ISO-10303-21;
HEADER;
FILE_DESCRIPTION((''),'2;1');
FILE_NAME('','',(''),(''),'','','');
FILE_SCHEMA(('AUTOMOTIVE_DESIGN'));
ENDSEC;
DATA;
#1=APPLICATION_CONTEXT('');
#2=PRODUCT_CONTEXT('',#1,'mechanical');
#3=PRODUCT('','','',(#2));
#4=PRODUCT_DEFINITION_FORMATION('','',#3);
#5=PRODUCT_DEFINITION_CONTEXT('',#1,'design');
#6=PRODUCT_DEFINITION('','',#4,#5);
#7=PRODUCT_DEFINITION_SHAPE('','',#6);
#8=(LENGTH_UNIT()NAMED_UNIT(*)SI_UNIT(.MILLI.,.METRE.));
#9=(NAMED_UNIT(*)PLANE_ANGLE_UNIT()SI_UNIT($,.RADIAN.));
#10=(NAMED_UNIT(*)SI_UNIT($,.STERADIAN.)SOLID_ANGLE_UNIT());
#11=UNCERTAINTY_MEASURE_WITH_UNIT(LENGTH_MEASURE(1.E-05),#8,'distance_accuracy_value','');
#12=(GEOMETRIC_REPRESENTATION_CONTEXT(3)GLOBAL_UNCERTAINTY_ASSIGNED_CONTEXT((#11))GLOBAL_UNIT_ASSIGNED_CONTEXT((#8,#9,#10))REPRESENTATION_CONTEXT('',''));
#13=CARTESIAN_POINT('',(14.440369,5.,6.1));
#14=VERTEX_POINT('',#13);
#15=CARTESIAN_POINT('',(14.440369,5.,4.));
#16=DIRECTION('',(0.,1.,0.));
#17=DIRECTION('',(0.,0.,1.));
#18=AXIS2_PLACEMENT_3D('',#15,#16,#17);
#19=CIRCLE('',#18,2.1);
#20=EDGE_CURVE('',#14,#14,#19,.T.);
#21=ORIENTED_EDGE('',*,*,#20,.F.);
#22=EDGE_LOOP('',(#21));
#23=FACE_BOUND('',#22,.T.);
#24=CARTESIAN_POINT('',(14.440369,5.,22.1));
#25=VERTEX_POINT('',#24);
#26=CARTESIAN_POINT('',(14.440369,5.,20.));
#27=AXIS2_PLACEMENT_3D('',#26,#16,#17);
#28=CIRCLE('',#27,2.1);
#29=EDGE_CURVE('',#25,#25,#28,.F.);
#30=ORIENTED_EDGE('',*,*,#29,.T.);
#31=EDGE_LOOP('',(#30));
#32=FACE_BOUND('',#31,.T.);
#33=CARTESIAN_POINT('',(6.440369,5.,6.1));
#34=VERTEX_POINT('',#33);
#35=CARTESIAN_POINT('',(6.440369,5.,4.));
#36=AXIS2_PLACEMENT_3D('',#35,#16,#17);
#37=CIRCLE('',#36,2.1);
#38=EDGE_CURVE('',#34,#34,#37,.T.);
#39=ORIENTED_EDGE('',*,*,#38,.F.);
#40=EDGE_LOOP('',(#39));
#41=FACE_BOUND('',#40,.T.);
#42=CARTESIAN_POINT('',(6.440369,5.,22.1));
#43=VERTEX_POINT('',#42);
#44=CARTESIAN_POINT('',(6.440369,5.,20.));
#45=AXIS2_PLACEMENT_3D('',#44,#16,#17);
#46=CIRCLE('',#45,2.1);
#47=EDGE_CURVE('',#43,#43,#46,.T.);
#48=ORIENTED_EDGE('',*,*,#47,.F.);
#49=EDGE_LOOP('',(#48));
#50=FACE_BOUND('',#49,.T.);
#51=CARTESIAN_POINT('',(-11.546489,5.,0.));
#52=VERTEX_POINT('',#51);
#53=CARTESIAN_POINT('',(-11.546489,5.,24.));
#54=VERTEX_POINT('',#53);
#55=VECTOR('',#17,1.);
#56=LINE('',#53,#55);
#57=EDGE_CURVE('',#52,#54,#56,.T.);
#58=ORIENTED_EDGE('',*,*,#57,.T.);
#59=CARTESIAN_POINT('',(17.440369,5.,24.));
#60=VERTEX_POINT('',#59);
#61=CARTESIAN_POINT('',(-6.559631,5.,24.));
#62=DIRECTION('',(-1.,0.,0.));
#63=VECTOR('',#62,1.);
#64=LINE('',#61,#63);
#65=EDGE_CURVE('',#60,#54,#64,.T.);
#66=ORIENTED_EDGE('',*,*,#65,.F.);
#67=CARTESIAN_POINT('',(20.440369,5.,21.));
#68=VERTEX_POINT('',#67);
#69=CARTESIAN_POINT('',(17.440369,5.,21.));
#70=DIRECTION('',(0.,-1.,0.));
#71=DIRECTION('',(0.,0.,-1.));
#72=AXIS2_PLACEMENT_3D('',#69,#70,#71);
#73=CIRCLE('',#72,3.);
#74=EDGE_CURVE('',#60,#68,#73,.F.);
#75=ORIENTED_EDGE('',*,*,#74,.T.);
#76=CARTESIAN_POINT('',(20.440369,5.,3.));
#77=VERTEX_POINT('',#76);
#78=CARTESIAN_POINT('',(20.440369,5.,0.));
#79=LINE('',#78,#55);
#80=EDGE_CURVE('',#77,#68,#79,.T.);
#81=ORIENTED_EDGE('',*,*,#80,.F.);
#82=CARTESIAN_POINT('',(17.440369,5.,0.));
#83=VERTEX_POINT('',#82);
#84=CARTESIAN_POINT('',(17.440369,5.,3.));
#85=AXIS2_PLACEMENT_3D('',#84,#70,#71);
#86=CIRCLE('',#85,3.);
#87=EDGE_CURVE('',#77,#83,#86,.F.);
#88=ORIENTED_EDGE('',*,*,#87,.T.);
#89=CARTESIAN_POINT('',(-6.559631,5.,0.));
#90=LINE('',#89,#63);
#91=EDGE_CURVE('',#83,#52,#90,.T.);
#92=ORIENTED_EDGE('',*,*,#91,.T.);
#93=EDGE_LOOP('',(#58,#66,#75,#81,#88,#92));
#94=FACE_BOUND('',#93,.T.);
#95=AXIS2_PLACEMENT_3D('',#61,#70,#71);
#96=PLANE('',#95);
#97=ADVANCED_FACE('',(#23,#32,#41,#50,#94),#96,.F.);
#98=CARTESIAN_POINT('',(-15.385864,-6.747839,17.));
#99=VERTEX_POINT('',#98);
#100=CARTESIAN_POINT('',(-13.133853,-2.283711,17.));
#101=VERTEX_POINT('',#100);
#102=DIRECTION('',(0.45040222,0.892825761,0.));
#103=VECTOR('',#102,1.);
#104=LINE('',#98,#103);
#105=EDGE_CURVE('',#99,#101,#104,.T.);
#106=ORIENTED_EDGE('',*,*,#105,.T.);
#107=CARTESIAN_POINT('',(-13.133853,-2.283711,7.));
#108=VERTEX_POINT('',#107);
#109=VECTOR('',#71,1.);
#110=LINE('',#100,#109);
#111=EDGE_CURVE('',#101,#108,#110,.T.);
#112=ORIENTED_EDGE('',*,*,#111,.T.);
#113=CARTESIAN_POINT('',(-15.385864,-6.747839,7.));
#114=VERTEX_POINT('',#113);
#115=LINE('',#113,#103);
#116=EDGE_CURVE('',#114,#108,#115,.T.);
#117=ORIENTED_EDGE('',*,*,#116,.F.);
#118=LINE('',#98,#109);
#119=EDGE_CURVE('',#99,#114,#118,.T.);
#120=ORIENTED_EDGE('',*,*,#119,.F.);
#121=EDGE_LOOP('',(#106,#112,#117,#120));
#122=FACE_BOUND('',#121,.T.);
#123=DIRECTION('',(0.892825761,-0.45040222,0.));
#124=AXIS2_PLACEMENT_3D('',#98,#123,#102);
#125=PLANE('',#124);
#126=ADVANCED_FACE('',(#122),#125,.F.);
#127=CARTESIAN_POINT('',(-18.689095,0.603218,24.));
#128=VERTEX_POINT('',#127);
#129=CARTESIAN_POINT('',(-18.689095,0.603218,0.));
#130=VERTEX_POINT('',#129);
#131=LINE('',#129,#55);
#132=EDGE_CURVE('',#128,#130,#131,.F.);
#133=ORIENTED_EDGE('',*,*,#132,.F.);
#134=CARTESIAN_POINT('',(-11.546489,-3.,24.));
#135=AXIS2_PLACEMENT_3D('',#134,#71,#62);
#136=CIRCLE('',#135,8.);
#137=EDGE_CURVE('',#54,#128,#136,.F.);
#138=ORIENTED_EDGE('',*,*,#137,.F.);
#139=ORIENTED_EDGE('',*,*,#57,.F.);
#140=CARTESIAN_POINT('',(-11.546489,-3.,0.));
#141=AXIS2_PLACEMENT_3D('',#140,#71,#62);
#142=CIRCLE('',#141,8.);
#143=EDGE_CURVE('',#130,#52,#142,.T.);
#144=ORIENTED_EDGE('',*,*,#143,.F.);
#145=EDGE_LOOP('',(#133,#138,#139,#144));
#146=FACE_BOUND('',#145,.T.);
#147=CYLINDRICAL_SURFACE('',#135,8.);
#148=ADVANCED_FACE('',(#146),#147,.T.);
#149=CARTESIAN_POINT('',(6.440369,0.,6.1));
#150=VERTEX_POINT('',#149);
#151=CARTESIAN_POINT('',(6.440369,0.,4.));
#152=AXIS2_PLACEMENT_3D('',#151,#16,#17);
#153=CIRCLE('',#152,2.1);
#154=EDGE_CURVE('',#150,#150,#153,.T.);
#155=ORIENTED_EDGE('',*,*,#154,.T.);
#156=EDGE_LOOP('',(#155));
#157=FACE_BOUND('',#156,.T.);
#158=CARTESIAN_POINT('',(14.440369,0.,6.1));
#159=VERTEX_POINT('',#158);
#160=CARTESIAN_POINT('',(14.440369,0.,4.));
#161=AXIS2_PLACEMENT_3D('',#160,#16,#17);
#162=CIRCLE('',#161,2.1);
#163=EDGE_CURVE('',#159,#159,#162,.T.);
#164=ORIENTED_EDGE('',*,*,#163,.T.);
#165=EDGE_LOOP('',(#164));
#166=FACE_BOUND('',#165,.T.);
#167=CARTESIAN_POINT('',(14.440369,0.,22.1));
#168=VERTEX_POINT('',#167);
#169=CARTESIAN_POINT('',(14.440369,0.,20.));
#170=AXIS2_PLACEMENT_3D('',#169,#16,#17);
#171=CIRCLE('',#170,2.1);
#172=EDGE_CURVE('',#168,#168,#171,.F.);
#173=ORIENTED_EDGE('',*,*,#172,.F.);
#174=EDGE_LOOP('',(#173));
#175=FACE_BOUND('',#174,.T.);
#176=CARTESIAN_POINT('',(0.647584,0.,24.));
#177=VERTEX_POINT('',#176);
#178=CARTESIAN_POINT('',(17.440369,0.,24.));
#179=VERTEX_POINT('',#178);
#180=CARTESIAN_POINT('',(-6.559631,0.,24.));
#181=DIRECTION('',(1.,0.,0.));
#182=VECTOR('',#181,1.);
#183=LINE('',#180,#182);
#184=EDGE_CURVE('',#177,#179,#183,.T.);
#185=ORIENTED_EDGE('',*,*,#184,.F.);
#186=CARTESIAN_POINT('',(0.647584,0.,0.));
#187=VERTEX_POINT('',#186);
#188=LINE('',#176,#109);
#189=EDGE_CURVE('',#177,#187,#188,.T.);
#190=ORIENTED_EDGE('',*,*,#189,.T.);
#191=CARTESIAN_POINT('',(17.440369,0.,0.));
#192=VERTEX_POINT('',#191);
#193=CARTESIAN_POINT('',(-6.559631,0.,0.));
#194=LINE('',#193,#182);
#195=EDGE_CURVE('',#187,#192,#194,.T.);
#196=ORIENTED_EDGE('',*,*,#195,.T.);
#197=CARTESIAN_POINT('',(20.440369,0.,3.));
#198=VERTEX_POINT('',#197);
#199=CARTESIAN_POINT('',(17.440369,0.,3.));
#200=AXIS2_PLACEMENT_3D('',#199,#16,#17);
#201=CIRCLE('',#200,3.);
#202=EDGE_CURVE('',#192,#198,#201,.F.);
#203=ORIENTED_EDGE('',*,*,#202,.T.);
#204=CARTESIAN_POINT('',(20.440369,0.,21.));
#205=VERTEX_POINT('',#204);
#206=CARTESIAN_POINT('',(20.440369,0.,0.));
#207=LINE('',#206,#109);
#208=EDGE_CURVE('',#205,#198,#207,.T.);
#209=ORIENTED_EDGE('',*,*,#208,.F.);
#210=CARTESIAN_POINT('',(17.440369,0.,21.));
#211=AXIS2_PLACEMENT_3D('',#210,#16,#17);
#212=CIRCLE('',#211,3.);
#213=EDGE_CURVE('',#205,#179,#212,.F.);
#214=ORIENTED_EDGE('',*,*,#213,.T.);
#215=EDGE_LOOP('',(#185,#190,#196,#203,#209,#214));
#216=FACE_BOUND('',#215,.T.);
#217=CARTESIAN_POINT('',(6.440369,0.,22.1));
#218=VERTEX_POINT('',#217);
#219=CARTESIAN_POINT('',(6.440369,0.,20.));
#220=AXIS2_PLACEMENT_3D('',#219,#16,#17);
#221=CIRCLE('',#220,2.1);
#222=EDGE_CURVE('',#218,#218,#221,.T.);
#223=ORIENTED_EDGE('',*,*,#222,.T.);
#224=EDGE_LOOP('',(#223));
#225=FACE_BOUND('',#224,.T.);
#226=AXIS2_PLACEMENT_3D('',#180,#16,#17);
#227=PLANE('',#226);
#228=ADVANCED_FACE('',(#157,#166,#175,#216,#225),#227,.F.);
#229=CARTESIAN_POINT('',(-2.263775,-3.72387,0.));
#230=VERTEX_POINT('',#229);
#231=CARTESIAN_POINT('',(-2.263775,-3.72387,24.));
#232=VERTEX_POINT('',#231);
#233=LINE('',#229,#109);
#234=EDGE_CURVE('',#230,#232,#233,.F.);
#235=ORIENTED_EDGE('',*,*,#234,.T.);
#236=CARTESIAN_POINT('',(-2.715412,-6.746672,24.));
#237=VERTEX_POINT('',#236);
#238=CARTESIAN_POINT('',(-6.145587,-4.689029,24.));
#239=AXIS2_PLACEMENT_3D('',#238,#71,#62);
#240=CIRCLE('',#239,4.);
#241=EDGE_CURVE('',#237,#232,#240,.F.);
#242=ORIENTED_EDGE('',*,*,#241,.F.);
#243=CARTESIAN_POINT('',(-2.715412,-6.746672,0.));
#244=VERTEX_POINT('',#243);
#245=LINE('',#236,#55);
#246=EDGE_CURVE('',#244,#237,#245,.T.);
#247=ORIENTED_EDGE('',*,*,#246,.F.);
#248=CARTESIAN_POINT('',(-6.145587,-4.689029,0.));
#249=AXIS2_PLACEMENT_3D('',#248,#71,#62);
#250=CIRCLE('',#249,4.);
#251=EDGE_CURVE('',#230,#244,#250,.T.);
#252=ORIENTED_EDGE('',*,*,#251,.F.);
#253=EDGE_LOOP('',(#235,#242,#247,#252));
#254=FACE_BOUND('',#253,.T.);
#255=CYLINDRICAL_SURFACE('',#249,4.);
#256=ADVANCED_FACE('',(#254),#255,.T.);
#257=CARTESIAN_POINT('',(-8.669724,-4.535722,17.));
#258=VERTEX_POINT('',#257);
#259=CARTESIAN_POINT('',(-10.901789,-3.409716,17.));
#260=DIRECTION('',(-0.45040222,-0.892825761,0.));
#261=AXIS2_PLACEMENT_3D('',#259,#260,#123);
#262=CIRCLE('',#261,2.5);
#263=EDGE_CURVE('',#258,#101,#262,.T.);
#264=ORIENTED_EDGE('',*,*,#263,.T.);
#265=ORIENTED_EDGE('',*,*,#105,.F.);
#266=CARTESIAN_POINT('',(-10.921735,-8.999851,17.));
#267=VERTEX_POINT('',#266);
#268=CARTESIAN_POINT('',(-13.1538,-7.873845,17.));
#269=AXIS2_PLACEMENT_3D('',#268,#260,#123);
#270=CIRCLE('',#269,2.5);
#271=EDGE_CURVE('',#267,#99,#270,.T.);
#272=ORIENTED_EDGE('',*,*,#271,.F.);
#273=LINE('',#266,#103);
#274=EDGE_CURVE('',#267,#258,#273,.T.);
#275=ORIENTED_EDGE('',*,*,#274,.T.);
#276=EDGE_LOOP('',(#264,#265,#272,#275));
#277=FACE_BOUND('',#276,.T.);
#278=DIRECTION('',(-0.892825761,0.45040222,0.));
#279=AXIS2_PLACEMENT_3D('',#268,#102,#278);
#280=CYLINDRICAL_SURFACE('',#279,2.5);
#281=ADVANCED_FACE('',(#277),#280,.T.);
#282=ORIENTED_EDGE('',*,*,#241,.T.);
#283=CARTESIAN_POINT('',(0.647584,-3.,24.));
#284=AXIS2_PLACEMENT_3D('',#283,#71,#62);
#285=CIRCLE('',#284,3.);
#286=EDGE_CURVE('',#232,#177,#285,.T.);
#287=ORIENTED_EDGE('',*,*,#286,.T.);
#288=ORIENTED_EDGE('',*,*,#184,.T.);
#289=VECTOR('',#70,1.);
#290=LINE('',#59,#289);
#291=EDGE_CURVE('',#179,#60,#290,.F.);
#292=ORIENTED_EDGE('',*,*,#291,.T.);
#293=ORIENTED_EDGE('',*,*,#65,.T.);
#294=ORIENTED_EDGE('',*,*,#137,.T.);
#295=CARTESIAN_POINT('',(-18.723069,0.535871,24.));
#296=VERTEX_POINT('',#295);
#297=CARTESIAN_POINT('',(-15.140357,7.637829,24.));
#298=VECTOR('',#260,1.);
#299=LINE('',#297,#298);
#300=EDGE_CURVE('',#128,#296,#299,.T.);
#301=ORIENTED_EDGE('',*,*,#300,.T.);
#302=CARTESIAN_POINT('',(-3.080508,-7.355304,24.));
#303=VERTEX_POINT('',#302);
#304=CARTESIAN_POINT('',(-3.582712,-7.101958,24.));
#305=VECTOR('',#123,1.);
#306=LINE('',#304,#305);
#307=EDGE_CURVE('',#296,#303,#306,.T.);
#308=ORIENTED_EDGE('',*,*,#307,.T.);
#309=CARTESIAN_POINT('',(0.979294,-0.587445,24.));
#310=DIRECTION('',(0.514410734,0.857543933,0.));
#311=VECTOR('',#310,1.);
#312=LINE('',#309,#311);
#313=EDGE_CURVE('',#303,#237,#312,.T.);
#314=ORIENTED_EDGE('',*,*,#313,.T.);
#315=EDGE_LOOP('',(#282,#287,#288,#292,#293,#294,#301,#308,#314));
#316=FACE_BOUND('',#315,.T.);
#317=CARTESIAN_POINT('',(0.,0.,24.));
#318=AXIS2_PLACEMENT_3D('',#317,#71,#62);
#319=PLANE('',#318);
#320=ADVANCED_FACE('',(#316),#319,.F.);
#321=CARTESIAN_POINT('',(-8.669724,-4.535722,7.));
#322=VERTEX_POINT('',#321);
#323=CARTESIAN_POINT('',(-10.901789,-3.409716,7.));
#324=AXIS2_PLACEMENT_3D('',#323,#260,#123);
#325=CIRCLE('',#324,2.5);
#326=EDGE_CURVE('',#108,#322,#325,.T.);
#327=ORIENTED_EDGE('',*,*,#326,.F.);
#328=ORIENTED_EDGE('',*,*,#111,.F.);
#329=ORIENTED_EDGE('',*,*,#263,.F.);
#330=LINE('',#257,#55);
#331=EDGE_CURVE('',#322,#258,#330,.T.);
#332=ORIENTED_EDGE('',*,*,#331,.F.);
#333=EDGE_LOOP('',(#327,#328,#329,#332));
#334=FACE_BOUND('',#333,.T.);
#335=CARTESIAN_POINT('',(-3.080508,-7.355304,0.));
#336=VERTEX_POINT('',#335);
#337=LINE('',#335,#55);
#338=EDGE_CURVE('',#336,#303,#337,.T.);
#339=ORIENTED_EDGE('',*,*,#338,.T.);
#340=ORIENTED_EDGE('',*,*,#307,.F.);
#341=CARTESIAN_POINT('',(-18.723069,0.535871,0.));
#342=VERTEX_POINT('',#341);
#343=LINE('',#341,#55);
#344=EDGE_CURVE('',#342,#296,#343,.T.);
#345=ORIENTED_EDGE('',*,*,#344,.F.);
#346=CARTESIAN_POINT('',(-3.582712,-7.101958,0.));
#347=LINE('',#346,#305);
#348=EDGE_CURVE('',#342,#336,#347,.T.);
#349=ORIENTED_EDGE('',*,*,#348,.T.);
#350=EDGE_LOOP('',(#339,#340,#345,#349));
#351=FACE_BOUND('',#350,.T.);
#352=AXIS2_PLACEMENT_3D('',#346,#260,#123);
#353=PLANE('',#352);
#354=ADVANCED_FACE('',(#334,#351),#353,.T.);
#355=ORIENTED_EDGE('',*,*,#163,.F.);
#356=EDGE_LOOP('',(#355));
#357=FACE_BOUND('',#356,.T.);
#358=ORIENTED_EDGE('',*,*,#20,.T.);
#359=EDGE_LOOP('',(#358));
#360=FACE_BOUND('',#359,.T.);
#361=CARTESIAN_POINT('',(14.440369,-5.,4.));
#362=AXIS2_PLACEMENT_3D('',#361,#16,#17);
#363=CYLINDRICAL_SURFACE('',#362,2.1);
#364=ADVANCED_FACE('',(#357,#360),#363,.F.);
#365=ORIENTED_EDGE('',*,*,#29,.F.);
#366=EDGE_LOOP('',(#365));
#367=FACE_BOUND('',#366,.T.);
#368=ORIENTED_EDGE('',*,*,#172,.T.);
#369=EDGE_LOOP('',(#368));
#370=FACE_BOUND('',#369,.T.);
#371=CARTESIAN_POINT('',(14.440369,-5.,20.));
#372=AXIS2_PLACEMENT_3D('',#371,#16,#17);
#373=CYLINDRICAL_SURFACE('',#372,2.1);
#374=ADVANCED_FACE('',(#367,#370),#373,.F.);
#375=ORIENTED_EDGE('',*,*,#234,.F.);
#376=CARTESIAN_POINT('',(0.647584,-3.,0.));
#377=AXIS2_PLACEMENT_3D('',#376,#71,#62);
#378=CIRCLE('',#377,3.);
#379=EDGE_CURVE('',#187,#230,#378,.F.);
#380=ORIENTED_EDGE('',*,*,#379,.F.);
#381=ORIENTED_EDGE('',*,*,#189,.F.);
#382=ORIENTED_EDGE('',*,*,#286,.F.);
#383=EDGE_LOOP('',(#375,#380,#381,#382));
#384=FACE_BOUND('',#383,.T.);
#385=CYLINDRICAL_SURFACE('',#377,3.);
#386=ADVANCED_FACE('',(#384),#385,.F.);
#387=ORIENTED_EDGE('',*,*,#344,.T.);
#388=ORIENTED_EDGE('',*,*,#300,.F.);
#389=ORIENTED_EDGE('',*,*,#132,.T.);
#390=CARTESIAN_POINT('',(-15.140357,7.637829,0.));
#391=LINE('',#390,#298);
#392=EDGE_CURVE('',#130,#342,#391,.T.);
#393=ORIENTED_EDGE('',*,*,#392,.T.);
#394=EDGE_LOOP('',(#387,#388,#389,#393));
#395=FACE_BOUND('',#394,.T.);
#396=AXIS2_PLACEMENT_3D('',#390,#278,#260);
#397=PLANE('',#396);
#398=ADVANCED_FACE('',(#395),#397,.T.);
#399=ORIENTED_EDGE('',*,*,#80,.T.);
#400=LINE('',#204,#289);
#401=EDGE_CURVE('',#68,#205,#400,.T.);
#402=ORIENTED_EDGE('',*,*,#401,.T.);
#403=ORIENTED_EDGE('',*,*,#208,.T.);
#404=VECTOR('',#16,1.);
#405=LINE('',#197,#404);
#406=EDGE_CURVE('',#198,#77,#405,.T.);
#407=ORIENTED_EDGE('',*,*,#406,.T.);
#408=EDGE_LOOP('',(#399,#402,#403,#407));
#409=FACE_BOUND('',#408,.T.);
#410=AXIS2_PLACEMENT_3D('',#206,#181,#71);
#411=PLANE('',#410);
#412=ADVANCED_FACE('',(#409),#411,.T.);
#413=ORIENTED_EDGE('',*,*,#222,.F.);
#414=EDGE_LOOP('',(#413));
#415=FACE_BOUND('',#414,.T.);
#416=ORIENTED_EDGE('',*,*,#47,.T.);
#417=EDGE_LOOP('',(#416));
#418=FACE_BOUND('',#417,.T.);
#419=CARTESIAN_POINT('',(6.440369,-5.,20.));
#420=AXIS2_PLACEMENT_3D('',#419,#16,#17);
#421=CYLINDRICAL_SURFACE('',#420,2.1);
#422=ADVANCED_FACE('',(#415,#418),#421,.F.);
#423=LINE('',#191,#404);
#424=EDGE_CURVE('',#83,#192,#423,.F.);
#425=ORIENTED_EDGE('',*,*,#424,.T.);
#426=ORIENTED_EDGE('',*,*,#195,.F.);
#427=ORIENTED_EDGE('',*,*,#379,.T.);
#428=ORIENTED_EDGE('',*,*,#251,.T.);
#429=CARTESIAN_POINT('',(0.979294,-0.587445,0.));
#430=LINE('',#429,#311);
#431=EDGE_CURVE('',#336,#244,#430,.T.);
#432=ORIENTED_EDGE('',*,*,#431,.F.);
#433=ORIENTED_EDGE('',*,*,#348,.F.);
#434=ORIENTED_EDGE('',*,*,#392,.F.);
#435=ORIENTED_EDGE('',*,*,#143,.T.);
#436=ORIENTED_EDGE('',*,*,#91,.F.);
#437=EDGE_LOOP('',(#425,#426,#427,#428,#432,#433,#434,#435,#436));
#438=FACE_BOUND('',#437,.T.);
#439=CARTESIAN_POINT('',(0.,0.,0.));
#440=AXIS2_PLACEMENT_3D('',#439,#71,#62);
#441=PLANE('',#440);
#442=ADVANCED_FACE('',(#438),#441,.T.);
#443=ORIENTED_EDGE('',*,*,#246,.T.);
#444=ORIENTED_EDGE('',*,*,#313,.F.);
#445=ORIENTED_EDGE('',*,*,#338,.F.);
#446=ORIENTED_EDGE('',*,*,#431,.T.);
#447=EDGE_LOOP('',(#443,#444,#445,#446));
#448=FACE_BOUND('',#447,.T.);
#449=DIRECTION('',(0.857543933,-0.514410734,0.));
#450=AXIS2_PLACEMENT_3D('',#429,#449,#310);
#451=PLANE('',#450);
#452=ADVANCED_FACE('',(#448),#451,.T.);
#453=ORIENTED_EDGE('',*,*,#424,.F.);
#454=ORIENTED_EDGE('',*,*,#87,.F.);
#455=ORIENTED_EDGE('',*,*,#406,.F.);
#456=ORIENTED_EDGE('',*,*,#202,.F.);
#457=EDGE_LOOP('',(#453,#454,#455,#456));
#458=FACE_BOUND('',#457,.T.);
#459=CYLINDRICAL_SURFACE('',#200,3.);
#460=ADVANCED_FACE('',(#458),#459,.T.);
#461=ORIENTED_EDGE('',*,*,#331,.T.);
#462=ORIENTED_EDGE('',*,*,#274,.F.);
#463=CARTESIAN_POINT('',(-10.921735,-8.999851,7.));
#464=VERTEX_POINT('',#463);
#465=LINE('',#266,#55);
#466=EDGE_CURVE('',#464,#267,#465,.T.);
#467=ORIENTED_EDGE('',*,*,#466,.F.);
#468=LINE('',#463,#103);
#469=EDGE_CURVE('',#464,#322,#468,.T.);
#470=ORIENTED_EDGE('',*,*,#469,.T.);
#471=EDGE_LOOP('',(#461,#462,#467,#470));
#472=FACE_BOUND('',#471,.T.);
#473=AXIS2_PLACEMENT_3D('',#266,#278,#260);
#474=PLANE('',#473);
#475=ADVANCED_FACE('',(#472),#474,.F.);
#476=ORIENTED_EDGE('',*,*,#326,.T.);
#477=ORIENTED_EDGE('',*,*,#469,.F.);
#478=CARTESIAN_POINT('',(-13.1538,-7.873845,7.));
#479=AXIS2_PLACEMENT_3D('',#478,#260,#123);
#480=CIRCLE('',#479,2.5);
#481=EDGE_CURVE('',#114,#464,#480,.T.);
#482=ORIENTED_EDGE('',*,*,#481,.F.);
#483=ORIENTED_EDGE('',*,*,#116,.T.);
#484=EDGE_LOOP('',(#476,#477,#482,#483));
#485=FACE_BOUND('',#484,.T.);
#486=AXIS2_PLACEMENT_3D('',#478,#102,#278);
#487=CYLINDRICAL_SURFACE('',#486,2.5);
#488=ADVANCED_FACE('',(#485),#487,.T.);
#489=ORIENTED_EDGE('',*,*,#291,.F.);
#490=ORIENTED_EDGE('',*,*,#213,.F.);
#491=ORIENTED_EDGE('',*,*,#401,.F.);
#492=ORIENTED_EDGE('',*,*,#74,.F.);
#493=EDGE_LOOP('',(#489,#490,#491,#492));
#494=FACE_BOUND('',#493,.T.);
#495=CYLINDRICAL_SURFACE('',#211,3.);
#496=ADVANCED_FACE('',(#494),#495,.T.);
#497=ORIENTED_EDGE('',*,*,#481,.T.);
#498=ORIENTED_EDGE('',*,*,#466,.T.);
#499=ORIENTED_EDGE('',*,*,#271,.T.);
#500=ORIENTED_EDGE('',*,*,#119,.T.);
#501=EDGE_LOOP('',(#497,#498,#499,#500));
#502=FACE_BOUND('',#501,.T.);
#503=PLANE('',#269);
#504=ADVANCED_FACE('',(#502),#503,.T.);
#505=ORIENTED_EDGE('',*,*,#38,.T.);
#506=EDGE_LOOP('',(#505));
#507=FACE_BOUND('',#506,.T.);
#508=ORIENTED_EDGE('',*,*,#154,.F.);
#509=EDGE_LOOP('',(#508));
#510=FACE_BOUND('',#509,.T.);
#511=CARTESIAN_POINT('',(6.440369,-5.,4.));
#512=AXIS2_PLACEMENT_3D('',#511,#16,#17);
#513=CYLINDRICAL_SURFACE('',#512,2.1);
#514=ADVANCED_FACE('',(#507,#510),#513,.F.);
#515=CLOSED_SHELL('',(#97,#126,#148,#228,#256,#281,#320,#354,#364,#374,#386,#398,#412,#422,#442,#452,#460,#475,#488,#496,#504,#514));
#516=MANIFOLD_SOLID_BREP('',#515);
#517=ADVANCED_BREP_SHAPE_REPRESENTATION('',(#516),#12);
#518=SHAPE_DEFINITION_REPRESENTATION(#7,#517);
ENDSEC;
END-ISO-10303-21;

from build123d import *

# Parameters (mm, degrees)
ESQUISSE1_W             = 17
ESQUISSE1_H             = 5
BOSS_EXTRU_1_DEPTH      = 24
BOSS_EXTRU_2_DEPTH      = 24
CONG_1_R                = 4
CONG_2_R                = 8
CONG_3_R                = 3
ESQUISSE3_W             = 24
ESQUISSE3_H             = 5
BOSS_EXTRU_3_DEPTH      = 10
ESQUISSE4_R             = 2.1
ENL_V_MAT_EXTRU_1_DEPTH = 10
CONG_4_R                = 3
BOSS_EXTRU_4_DEPTH      = 5


with BuildPart() as part:
    # Esquisse1 → Boss.-Extru.1 (new body)
    with BuildSketch(Plane.XY):
        with Locations((1.940369129, 2.5)):
            Rectangle(ESQUISSE1_W, ESQUISSE1_H)
    extrude(amount=BOSS_EXTRU_1_DEPTH)

    # Esquisse2 → Boss.-Extru.2 (add)
    with BuildSketch(Plane.XY.offset(24)):
        Polygon((-18.723069156, 0.535871193), (-3.080508445, -7.355303518), (-0.501566554, -3.056100904), (-16.471058056, 5), align=None)
        Polygon((-6.559630871, 0), (-6.559630871, 5), (-16.471058056, 5), align=None)
    extrude(amount=-BOSS_EXTRU_2_DEPTH)

    # Congé1
    cong_1_edges = [part.edges().sort_by_distance(p)[0] for p in [
        (-0.501566554, -3.056100904, 12),
    ]]
    fillet(cong_1_edges, radius=CONG_1_R)

    # Congé2
    cong_2_edges = [part.edges().sort_by_distance(p)[0] for p in [
        (-16.471058056, 5, 12),
    ]]
    fillet(cong_2_edges, radius=CONG_2_R)

    # Congé3
    cong_3_edges = [part.edges().sort_by_distance(p)[0] for p in [
        (-6.559630871, 0, 12),
    ]]
    fillet(cong_3_edges, radius=CONG_3_R)

    # Esquisse3 → Boss.-Extru.3 (add)
    with BuildSketch(Plane(origin=(10.440369129, 0, 0), x_dir=(0, 0, -1), z_dir=(1, 0, 0))):
        with Locations((-12, 2.5)):
            Rectangle(ESQUISSE3_W, ESQUISSE3_H)
    extrude(amount=BOSS_EXTRU_3_DEPTH)

    # Esquisse4 → Enlèv. mat.-Extru.1 (cut)
    with BuildSketch(Plane(origin=(0, 5, 0), x_dir=(1, 0, 0), z_dir=(0, 1, 0))):
        with Locations(Location((6.440369129, -20, 0), (0, 0, 270))):
            Circle(ESQUISSE4_R)
        with Locations(Location((14.440369129, -20, 0), (0, 0, 270))):
            Circle(ESQUISSE4_R)
        with Locations(Location((14.440369129, -4, 0), (0, 0, 270))):
            Circle(ESQUISSE4_R)
        with Locations(Location((6.440369129, -4, 0), (0, 0, 270))):
            Circle(ESQUISSE4_R)
    extrude(amount=-ENL_V_MAT_EXTRU_1_DEPTH, mode=Mode.SUBTRACT)

    # Congé4
    cong_4_edges = [part.edges().sort_by_distance(p)[0] for p in [
        (20.440369129, 2.5, 0),
        (20.440369129, 2.5, 24),
    ]]
    fillet(cong_4_edges, radius=CONG_4_R)

    # Esquisse5 → Boss.-Extru.4 (add)
    with BuildSketch(Plane(origin=(-3.582711985, -7.101957793, 0), x_dir=(0.892825761431464, -0.45040221993716517, 0), z_dir=(-0.45040221993716517, -0.892825761431464, 0))):
        with BuildLine():
            Line((-5.697654158, 17), (-5.697654158, 7))
            ThreePointArc((-5.697654158, 7), (-8.197654158, 4.5), (-10.697654158, 7))
            Line((-10.697654158, 7), (-10.697654158, 17))
            ThreePointArc((-10.697654158, 17), (-8.197654158, 19.5), (-5.697654158, 17))
        make_face()
    extrude(amount=BOSS_EXTRU_4_DEPTH)


solid = part.part
